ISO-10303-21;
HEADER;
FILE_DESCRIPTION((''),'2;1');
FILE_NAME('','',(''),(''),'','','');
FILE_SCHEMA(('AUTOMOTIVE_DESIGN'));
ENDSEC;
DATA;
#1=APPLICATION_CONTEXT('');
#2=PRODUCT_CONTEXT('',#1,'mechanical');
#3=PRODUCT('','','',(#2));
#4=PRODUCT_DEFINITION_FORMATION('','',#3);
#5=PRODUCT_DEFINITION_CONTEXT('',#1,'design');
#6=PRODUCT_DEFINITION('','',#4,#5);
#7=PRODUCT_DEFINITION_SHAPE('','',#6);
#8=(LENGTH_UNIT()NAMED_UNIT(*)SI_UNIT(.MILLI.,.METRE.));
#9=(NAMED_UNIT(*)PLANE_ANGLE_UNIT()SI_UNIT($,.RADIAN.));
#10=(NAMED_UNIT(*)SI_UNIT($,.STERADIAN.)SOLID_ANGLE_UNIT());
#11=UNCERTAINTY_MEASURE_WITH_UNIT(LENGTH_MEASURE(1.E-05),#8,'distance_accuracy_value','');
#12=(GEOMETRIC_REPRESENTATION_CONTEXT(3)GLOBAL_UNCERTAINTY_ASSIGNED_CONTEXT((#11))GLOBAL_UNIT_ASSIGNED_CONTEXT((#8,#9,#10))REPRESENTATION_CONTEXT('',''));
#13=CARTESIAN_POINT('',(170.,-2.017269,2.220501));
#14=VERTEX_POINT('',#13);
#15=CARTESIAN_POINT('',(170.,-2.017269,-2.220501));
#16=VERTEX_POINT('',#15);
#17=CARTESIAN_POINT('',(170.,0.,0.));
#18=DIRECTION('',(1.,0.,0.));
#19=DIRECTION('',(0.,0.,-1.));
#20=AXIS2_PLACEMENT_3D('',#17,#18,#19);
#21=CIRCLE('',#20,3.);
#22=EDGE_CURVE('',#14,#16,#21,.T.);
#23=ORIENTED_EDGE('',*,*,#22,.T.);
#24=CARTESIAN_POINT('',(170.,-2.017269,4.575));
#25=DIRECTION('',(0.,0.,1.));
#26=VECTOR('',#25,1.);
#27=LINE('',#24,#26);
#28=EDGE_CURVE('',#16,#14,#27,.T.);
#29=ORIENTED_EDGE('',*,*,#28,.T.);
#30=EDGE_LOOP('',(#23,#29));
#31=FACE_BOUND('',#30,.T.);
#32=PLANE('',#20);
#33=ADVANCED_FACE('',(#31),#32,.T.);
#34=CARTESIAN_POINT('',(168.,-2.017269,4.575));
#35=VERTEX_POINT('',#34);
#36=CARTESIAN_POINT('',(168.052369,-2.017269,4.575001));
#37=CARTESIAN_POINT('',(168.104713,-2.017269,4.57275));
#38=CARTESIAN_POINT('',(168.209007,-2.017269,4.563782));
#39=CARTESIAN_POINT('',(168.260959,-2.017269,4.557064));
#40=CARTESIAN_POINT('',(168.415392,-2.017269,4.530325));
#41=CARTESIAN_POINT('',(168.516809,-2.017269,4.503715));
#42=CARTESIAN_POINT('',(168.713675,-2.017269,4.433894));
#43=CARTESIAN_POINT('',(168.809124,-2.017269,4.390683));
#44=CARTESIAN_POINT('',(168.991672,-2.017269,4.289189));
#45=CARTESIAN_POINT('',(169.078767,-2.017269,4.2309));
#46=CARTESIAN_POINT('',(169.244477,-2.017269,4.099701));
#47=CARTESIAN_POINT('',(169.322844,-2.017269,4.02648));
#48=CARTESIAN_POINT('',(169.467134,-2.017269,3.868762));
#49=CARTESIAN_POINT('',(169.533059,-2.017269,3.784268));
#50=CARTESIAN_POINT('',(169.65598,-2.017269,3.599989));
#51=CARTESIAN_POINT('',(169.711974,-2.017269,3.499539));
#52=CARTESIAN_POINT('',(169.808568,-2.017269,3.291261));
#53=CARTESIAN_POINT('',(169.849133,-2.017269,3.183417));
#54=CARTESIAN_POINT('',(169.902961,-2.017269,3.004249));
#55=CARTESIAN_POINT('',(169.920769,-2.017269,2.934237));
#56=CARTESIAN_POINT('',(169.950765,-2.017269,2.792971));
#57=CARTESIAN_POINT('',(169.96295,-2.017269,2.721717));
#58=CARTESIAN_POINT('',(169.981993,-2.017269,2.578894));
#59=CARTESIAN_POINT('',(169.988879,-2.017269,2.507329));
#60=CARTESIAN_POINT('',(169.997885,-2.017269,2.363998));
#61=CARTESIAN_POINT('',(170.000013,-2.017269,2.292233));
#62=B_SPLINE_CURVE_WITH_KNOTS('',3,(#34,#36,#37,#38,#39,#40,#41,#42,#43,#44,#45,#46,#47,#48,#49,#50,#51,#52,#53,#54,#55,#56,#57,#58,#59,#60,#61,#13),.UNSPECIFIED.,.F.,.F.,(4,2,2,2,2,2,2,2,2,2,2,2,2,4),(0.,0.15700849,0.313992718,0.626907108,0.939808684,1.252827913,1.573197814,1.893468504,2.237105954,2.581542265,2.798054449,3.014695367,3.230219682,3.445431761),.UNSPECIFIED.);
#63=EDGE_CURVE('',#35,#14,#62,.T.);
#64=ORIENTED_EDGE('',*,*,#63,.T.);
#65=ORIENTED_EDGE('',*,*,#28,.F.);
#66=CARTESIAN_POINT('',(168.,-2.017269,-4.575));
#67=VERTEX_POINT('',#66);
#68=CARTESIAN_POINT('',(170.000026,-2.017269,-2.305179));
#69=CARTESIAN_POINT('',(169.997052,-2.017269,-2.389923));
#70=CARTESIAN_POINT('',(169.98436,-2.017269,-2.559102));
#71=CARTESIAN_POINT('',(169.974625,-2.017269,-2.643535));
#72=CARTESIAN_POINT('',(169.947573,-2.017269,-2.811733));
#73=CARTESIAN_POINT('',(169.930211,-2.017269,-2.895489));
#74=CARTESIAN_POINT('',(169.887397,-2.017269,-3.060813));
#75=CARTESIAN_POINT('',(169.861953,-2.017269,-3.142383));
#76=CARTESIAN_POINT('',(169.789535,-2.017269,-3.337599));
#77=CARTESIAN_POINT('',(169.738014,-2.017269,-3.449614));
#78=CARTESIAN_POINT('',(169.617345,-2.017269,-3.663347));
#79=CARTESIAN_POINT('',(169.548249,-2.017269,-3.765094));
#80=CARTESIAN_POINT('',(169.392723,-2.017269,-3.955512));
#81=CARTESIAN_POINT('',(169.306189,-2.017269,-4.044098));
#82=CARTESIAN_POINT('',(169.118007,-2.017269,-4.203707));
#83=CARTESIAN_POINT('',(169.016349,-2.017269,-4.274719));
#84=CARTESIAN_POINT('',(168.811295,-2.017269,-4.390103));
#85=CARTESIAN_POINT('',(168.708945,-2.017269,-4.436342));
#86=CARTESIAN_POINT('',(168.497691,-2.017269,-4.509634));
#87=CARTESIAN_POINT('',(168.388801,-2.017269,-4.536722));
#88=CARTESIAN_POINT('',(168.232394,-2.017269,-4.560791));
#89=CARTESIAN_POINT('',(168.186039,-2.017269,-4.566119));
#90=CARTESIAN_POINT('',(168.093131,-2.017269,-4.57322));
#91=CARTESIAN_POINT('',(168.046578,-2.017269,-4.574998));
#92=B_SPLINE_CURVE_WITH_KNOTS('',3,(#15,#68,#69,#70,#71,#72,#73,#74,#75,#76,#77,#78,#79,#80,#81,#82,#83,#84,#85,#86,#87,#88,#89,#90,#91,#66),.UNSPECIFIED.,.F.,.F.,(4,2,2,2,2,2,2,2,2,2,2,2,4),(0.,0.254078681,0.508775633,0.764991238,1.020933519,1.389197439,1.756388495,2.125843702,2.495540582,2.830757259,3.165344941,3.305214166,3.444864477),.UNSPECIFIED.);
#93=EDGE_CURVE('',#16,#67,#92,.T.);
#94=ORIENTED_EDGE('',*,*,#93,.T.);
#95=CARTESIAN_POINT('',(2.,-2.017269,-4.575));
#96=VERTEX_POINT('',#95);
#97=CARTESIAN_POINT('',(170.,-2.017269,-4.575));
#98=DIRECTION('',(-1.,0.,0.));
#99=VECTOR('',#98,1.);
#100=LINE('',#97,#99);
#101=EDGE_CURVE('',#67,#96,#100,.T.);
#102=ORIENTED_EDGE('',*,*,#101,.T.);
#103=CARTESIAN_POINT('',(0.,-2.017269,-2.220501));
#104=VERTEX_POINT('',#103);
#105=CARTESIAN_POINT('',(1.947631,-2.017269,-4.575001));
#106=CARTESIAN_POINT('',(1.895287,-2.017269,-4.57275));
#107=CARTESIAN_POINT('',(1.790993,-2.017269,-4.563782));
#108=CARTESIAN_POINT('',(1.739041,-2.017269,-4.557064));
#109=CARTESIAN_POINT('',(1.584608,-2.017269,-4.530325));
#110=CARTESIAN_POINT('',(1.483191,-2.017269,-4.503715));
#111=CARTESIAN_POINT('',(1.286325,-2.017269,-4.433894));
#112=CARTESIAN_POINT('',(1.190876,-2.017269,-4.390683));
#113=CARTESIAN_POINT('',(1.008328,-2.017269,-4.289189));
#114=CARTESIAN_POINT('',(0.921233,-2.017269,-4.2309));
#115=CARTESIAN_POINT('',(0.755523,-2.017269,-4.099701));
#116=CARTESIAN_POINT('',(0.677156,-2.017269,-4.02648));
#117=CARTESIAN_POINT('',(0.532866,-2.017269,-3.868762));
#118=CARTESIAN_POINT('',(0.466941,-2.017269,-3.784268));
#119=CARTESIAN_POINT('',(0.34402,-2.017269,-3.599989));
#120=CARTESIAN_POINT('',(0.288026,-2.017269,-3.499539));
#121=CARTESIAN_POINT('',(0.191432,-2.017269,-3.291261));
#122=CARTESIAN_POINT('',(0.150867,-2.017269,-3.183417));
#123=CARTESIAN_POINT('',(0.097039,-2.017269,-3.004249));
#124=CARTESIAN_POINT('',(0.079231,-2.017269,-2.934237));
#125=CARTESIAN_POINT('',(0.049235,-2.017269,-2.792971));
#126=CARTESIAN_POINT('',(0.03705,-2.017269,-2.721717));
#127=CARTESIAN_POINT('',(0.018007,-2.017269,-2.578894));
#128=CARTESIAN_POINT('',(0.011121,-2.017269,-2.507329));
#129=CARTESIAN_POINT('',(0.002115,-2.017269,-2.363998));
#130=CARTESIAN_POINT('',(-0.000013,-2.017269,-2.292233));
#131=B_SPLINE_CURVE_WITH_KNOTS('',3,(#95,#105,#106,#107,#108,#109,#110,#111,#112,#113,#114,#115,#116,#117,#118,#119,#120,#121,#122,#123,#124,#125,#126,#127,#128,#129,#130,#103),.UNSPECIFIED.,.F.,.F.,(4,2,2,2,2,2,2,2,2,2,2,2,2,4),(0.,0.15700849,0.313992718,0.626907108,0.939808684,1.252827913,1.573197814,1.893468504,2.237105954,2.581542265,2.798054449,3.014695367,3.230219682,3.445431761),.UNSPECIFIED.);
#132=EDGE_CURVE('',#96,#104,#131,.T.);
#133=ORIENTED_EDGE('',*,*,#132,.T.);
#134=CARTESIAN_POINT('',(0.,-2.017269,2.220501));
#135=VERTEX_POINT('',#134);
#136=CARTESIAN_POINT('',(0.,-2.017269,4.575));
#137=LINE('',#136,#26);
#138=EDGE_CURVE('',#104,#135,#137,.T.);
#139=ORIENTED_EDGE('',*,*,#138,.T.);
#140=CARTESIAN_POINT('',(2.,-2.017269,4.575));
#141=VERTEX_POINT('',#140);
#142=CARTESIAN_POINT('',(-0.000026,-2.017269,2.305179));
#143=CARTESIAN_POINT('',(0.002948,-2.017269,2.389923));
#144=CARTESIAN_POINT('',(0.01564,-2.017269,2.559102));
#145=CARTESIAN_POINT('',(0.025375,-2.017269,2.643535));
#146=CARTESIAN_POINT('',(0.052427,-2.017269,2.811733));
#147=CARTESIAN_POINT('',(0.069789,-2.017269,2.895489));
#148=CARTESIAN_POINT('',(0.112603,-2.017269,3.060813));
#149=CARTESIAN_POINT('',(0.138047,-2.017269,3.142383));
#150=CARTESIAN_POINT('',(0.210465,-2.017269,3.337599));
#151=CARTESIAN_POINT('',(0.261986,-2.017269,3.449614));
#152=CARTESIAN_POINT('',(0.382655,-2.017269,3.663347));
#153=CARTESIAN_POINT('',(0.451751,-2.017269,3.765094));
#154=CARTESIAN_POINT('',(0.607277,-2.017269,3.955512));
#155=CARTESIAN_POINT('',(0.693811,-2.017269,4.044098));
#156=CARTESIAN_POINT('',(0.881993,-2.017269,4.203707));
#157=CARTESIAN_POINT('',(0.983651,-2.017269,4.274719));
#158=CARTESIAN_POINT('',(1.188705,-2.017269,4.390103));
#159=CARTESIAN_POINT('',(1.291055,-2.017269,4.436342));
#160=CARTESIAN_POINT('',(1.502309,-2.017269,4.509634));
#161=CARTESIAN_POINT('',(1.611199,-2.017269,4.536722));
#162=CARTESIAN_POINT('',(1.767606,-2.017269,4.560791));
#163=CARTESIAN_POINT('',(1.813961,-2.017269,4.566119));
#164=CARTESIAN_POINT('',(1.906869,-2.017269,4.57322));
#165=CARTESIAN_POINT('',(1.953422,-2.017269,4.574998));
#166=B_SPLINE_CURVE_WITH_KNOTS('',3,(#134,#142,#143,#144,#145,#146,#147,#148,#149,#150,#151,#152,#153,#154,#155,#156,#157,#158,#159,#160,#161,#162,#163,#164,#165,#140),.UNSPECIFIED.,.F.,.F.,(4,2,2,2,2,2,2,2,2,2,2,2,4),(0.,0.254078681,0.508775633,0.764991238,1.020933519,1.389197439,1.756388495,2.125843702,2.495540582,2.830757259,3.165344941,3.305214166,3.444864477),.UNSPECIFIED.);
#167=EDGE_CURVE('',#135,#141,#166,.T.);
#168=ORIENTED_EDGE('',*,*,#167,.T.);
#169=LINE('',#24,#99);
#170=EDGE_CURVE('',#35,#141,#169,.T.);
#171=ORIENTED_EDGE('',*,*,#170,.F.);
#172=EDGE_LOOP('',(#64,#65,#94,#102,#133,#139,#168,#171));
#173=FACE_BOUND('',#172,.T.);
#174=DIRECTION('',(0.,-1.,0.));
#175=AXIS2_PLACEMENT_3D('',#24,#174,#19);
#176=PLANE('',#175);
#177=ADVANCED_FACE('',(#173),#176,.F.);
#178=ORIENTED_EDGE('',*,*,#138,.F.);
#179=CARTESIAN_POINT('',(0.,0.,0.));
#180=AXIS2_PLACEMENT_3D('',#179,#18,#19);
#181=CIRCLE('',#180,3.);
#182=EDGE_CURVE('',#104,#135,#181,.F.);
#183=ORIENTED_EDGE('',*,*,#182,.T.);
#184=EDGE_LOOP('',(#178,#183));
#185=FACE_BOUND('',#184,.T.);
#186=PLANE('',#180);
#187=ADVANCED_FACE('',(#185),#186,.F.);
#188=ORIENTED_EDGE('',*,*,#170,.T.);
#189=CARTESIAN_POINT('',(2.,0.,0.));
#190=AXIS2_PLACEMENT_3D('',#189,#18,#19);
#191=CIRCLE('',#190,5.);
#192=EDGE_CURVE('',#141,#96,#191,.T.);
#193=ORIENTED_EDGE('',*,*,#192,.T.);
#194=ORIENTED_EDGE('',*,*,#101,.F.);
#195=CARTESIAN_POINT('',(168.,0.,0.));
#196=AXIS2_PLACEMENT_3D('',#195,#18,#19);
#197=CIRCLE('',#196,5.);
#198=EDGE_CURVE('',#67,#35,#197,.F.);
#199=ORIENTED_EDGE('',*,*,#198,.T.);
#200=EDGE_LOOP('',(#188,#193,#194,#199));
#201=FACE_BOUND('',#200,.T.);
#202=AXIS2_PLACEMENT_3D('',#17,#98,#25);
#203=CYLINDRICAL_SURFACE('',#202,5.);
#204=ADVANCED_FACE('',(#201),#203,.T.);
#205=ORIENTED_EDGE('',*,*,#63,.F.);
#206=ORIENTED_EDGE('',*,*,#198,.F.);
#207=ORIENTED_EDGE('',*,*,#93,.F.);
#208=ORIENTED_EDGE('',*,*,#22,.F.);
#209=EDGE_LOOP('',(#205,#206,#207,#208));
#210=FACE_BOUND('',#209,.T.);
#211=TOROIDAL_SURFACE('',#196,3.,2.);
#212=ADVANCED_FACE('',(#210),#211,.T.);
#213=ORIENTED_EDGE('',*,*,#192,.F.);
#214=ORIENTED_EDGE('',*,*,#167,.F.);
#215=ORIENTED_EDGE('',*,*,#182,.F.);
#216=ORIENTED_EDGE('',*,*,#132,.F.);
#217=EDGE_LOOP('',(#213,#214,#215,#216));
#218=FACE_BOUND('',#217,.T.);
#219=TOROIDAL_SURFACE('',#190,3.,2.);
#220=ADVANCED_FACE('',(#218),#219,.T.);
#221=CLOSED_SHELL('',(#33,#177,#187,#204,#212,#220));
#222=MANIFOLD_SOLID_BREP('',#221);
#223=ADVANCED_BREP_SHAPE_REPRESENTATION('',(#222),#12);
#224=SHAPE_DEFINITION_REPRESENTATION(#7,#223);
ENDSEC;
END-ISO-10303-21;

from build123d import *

# Parameters (mm, degrees)
BOSS_EXTRUDE1_DEPTH = 170
FILLET1_R           = 2


with BuildPart() as part:
    # Sketch1 → Boss-Extrude1 (new body)
    with BuildSketch(Plane(origin=(0, 0, 0), x_dir=(0, 0, -1), z_dir=(1, 0, 0))):
        with BuildLine():
            Line((-4.575, -2.017269194), (4.575, -2.017269194))
            ThreePointArc((4.575, -2.017269194), (0, -5), (-4.575, -2.017269194))
        make_face()
    extrude(amount=BOSS_EXTRUDE1_DEPTH)

    # Fillet1
    fillet1_edges = [part.edges().sort_by_distance(p)[0] for p in [
        (0, -5, 0),
        (170, -5, 0),
    ]]
    fillet(fillet1_edges, radius=FILLET1_R)


solid = part.part
